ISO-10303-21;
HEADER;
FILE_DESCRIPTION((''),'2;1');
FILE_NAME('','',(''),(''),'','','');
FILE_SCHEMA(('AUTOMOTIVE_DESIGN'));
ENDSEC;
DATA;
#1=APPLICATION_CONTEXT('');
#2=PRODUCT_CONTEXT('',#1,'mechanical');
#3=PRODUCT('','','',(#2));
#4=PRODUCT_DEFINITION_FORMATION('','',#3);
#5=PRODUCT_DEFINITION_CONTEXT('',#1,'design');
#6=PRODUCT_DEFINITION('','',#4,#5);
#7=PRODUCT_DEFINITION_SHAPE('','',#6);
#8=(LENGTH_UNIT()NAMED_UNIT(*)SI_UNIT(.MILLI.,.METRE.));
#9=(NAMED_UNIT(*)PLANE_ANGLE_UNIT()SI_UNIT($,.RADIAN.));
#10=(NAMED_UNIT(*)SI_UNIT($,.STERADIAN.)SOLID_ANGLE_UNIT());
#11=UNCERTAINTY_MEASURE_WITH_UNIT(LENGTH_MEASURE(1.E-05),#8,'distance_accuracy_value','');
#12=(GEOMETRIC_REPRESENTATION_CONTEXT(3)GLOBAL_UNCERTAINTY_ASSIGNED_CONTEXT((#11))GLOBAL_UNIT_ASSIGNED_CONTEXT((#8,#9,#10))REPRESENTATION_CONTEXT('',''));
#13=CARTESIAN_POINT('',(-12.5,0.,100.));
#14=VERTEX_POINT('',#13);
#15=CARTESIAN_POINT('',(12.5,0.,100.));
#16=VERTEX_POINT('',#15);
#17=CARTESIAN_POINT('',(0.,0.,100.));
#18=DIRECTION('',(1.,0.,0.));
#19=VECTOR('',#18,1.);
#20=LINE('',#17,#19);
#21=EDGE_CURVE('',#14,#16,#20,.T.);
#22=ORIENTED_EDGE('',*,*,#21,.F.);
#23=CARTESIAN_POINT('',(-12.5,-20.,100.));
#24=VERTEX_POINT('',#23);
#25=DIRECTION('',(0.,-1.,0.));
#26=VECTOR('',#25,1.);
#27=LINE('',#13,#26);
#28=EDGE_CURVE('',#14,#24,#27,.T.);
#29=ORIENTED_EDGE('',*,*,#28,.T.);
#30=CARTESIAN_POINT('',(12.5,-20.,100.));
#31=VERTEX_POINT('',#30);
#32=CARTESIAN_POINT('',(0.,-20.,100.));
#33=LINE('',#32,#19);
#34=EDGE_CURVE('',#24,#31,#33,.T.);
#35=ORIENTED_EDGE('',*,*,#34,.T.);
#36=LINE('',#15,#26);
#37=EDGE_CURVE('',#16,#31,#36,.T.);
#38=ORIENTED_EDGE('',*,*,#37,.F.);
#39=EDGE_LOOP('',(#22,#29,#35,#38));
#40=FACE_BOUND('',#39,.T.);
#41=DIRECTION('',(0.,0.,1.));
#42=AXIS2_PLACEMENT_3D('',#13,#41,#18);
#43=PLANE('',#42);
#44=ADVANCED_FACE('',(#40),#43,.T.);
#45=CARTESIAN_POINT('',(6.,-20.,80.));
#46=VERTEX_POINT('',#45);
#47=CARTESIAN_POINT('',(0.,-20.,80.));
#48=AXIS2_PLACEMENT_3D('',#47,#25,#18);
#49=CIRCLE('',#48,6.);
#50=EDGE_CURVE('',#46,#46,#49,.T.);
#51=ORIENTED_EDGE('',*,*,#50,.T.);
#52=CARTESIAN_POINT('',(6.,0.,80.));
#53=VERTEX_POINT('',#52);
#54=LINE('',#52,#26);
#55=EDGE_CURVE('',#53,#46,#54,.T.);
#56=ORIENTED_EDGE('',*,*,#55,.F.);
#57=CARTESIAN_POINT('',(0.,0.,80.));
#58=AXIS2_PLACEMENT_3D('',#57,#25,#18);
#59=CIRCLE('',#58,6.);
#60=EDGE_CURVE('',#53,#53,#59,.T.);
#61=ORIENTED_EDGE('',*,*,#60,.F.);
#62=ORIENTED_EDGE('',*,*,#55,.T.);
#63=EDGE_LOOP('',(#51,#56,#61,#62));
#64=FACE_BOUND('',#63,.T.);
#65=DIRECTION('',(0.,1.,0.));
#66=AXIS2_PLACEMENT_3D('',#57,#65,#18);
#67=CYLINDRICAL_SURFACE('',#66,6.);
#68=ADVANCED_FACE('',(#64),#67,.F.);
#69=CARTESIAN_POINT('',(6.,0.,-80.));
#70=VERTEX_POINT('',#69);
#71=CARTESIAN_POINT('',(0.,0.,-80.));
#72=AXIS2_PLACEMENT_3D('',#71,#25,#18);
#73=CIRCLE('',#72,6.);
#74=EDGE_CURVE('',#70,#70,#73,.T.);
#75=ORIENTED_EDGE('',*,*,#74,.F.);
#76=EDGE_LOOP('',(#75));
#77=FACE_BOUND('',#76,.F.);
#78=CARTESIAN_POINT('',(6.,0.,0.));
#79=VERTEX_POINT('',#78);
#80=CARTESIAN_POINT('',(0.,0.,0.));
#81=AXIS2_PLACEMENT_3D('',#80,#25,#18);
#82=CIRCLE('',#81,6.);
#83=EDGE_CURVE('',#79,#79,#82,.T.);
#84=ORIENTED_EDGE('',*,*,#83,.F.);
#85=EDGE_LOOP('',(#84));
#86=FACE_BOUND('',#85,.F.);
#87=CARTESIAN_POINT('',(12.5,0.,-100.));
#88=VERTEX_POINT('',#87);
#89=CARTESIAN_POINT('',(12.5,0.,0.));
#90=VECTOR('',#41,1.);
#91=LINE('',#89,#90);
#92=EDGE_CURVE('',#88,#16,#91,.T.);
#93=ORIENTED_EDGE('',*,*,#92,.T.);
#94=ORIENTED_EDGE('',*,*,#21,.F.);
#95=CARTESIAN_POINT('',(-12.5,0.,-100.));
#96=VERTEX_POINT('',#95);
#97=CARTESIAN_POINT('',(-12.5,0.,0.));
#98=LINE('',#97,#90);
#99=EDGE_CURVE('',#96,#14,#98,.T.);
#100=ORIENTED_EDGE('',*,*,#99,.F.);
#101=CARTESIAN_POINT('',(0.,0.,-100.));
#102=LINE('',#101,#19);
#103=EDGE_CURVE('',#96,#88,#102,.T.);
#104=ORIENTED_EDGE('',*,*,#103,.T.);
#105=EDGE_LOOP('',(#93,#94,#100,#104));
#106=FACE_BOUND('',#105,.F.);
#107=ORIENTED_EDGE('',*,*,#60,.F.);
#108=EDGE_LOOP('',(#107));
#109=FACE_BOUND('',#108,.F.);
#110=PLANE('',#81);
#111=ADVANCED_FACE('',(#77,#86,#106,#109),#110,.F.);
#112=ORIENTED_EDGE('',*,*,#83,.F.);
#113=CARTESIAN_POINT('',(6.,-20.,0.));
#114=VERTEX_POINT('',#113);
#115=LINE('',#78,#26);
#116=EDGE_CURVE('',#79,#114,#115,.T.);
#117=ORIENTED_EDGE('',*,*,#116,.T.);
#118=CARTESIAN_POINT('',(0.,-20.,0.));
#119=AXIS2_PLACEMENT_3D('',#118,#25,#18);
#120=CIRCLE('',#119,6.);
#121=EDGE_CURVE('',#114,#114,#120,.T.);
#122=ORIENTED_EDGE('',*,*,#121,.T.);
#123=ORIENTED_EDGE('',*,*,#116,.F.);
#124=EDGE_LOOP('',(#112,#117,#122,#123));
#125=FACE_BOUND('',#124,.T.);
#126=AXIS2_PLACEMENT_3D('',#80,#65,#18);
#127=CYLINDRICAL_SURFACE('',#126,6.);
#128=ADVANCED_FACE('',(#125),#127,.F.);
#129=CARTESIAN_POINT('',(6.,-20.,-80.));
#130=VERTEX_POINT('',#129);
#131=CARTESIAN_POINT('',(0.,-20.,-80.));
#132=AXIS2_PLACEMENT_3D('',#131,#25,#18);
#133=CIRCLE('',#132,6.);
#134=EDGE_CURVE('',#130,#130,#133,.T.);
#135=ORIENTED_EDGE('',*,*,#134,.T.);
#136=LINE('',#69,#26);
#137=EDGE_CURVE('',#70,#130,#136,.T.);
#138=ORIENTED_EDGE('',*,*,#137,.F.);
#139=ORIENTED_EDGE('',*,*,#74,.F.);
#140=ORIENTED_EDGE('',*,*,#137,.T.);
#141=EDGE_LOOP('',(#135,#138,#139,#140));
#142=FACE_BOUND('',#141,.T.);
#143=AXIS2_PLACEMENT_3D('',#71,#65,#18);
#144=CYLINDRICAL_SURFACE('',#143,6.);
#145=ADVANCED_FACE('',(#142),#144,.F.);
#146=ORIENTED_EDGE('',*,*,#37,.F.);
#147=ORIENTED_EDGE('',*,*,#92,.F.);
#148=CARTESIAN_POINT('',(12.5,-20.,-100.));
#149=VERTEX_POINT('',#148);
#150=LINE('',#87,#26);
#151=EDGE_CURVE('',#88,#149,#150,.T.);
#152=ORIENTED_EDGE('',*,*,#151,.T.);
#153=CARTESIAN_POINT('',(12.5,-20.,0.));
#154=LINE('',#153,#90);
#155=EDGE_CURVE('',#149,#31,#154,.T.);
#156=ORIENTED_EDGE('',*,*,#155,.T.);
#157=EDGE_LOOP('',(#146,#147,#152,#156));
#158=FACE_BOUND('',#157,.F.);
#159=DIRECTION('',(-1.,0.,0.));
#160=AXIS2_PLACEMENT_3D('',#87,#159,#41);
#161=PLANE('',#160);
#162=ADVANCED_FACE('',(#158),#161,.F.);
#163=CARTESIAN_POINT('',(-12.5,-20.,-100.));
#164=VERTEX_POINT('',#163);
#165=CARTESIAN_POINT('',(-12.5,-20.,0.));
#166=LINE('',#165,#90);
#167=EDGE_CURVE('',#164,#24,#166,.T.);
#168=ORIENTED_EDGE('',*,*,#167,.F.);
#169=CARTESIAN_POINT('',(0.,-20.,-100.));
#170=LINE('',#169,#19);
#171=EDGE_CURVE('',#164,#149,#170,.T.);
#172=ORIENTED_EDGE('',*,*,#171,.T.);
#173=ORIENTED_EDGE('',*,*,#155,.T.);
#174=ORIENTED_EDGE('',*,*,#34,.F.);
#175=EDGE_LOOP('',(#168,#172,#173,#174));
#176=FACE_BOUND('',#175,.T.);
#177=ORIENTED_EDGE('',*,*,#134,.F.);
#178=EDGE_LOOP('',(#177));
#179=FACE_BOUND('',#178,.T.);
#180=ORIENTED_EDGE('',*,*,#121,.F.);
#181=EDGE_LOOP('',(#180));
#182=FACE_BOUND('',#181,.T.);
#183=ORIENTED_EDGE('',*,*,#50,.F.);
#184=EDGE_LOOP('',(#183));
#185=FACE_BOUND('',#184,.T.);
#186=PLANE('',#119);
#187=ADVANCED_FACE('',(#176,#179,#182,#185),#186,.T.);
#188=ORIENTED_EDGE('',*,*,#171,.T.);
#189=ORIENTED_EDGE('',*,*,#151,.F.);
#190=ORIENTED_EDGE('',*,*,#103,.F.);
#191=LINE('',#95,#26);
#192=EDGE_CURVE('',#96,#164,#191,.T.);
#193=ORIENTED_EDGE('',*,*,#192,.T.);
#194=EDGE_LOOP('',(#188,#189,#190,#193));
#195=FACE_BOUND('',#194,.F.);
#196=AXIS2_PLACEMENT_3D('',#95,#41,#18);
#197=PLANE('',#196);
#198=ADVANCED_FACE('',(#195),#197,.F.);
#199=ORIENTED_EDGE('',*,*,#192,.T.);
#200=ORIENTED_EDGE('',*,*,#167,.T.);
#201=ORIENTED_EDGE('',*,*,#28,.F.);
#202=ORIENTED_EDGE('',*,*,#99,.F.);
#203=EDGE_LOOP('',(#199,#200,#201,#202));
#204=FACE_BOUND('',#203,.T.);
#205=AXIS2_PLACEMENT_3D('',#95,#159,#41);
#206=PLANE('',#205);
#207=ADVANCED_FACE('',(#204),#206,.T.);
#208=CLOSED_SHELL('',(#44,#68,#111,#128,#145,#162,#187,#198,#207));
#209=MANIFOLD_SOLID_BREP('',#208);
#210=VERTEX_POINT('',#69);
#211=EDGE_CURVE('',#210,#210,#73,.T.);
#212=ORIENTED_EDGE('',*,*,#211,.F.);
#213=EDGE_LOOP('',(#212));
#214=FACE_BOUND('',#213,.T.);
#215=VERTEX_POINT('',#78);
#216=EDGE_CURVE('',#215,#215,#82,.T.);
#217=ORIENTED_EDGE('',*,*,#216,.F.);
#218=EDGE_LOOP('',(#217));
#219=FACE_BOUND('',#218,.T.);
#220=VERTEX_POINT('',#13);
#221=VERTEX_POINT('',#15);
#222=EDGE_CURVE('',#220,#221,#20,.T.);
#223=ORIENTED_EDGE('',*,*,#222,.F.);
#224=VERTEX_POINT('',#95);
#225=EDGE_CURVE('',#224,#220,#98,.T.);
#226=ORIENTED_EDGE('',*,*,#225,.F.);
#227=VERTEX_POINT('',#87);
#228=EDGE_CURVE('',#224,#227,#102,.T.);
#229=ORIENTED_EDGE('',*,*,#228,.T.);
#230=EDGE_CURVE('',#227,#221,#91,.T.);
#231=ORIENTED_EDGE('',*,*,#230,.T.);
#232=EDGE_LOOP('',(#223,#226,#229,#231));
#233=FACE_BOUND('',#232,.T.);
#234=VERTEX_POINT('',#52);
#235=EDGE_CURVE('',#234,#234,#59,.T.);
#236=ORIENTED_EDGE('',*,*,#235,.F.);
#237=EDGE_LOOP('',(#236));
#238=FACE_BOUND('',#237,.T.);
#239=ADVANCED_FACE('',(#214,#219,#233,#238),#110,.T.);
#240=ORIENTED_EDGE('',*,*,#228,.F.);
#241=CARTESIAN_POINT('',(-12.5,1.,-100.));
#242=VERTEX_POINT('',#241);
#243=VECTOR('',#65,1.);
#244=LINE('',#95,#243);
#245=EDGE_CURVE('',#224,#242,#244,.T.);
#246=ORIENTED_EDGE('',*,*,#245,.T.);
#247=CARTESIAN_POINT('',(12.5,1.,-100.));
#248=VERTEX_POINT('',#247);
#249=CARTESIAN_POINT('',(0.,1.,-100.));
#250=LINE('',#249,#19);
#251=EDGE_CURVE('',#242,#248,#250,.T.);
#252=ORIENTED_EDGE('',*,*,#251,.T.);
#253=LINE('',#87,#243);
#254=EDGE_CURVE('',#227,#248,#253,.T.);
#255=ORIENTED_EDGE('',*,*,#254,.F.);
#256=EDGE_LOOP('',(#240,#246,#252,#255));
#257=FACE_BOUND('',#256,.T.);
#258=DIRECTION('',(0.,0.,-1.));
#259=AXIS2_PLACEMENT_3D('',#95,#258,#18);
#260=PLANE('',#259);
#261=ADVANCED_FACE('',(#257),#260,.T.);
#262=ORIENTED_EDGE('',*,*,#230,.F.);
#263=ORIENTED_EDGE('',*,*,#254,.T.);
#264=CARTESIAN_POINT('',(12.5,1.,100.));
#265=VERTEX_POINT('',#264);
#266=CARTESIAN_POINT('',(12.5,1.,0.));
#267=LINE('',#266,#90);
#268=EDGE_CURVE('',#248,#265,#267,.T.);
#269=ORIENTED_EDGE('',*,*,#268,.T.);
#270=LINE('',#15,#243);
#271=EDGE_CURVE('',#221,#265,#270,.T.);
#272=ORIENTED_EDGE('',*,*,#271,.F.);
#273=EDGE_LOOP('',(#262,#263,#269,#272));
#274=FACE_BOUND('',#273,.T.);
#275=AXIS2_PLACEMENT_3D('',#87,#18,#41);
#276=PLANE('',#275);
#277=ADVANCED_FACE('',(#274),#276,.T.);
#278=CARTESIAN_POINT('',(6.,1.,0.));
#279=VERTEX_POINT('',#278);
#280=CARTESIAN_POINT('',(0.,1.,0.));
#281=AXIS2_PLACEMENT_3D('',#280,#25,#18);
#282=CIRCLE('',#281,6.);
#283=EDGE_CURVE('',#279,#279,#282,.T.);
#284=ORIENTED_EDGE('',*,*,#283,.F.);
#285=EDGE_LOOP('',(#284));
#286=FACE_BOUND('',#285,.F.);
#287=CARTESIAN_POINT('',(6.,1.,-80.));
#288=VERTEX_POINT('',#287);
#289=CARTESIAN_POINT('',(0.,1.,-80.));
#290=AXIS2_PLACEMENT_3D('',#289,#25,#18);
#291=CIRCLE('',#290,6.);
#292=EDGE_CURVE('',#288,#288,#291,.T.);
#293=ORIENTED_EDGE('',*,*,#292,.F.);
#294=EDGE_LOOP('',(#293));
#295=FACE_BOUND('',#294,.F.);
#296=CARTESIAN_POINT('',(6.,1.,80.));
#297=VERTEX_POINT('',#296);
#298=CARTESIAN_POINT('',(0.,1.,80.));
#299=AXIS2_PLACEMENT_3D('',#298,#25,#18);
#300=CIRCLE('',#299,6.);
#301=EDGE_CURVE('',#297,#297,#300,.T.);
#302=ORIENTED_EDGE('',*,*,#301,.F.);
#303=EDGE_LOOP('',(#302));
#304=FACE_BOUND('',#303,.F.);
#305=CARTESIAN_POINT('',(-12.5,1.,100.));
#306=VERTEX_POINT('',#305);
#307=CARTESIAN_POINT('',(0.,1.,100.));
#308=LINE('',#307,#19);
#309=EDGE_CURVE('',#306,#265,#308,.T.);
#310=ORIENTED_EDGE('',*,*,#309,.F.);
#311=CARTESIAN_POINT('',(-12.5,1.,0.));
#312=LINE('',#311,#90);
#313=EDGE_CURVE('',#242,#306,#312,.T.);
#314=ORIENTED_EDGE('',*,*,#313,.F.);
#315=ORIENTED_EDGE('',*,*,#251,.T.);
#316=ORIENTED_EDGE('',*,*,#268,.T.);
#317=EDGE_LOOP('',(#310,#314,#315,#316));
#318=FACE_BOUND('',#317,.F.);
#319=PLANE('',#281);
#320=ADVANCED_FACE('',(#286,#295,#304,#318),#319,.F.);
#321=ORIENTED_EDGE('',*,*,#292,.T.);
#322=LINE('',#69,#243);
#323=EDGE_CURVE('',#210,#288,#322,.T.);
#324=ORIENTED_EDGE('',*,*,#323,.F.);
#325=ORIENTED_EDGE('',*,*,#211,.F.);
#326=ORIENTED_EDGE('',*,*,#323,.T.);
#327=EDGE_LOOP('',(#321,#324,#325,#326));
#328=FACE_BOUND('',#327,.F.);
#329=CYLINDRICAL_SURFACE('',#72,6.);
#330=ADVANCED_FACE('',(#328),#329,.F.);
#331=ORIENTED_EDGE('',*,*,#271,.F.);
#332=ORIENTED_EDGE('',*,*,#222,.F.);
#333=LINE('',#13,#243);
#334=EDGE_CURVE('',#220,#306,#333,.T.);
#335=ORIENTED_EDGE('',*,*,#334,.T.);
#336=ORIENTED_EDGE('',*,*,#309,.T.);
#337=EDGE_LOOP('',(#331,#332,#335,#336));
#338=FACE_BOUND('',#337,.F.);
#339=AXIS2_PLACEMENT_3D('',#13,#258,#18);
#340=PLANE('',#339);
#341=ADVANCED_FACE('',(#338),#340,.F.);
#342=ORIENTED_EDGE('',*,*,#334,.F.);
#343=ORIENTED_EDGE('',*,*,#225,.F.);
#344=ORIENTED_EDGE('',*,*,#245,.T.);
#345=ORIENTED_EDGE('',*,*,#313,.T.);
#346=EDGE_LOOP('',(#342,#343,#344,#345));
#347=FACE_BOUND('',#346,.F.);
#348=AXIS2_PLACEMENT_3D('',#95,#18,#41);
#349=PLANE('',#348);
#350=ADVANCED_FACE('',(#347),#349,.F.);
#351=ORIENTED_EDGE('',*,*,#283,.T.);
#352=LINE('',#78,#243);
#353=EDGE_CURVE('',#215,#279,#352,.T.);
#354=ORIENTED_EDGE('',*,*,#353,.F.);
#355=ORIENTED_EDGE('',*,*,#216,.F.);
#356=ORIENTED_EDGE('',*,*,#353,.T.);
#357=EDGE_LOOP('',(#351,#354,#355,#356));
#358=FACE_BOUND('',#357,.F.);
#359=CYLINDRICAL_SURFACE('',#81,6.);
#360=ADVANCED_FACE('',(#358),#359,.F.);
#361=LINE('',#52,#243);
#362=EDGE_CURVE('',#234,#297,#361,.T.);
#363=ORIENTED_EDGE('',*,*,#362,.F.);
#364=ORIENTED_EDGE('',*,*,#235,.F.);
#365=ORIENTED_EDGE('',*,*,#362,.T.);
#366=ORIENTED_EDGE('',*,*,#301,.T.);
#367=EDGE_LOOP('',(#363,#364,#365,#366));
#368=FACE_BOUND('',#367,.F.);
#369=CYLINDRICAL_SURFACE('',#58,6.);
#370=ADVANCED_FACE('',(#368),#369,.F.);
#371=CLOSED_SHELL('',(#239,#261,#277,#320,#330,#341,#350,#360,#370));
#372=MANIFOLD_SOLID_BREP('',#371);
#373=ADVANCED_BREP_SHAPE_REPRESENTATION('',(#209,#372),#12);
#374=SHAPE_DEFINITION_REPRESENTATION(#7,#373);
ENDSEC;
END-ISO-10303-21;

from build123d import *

# Parameters (mm, degrees)
F0_W     = 25
F0_H     = 200
F0_R     = 6
F1_DEPTH = 20
F2_DEPTH = 1


with BuildPart() as f1:
    # F0 (on Front) → F1 (new body)
    with BuildSketch(Plane.XZ):
        Rectangle(F0_W, F0_H)
        with Locations((0, -80)):
            Circle(F0_R, mode=Mode.SUBTRACT)
        Circle(F0_R, mode=Mode.SUBTRACT)
        with Locations((0, 80)):
            Circle(F0_R, mode=Mode.SUBTRACT)
    extrude(amount=F1_DEPTH)


with BuildPart() as f2:
    # F0 (on Front) → F2 (new body)
    with BuildSketch(Plane.XZ):
        Rectangle(F0_W, F0_H)
        with Locations((0, -80)):
            Circle(F0_R, mode=Mode.SUBTRACT)
        Circle(F0_R, mode=Mode.SUBTRACT)
        with Locations((0, 80)):
            Circle(F0_R, mode=Mode.SUBTRACT)
    extrude(amount=-F2_DEPTH)


solid = Compound([f1.part, f2.part])
